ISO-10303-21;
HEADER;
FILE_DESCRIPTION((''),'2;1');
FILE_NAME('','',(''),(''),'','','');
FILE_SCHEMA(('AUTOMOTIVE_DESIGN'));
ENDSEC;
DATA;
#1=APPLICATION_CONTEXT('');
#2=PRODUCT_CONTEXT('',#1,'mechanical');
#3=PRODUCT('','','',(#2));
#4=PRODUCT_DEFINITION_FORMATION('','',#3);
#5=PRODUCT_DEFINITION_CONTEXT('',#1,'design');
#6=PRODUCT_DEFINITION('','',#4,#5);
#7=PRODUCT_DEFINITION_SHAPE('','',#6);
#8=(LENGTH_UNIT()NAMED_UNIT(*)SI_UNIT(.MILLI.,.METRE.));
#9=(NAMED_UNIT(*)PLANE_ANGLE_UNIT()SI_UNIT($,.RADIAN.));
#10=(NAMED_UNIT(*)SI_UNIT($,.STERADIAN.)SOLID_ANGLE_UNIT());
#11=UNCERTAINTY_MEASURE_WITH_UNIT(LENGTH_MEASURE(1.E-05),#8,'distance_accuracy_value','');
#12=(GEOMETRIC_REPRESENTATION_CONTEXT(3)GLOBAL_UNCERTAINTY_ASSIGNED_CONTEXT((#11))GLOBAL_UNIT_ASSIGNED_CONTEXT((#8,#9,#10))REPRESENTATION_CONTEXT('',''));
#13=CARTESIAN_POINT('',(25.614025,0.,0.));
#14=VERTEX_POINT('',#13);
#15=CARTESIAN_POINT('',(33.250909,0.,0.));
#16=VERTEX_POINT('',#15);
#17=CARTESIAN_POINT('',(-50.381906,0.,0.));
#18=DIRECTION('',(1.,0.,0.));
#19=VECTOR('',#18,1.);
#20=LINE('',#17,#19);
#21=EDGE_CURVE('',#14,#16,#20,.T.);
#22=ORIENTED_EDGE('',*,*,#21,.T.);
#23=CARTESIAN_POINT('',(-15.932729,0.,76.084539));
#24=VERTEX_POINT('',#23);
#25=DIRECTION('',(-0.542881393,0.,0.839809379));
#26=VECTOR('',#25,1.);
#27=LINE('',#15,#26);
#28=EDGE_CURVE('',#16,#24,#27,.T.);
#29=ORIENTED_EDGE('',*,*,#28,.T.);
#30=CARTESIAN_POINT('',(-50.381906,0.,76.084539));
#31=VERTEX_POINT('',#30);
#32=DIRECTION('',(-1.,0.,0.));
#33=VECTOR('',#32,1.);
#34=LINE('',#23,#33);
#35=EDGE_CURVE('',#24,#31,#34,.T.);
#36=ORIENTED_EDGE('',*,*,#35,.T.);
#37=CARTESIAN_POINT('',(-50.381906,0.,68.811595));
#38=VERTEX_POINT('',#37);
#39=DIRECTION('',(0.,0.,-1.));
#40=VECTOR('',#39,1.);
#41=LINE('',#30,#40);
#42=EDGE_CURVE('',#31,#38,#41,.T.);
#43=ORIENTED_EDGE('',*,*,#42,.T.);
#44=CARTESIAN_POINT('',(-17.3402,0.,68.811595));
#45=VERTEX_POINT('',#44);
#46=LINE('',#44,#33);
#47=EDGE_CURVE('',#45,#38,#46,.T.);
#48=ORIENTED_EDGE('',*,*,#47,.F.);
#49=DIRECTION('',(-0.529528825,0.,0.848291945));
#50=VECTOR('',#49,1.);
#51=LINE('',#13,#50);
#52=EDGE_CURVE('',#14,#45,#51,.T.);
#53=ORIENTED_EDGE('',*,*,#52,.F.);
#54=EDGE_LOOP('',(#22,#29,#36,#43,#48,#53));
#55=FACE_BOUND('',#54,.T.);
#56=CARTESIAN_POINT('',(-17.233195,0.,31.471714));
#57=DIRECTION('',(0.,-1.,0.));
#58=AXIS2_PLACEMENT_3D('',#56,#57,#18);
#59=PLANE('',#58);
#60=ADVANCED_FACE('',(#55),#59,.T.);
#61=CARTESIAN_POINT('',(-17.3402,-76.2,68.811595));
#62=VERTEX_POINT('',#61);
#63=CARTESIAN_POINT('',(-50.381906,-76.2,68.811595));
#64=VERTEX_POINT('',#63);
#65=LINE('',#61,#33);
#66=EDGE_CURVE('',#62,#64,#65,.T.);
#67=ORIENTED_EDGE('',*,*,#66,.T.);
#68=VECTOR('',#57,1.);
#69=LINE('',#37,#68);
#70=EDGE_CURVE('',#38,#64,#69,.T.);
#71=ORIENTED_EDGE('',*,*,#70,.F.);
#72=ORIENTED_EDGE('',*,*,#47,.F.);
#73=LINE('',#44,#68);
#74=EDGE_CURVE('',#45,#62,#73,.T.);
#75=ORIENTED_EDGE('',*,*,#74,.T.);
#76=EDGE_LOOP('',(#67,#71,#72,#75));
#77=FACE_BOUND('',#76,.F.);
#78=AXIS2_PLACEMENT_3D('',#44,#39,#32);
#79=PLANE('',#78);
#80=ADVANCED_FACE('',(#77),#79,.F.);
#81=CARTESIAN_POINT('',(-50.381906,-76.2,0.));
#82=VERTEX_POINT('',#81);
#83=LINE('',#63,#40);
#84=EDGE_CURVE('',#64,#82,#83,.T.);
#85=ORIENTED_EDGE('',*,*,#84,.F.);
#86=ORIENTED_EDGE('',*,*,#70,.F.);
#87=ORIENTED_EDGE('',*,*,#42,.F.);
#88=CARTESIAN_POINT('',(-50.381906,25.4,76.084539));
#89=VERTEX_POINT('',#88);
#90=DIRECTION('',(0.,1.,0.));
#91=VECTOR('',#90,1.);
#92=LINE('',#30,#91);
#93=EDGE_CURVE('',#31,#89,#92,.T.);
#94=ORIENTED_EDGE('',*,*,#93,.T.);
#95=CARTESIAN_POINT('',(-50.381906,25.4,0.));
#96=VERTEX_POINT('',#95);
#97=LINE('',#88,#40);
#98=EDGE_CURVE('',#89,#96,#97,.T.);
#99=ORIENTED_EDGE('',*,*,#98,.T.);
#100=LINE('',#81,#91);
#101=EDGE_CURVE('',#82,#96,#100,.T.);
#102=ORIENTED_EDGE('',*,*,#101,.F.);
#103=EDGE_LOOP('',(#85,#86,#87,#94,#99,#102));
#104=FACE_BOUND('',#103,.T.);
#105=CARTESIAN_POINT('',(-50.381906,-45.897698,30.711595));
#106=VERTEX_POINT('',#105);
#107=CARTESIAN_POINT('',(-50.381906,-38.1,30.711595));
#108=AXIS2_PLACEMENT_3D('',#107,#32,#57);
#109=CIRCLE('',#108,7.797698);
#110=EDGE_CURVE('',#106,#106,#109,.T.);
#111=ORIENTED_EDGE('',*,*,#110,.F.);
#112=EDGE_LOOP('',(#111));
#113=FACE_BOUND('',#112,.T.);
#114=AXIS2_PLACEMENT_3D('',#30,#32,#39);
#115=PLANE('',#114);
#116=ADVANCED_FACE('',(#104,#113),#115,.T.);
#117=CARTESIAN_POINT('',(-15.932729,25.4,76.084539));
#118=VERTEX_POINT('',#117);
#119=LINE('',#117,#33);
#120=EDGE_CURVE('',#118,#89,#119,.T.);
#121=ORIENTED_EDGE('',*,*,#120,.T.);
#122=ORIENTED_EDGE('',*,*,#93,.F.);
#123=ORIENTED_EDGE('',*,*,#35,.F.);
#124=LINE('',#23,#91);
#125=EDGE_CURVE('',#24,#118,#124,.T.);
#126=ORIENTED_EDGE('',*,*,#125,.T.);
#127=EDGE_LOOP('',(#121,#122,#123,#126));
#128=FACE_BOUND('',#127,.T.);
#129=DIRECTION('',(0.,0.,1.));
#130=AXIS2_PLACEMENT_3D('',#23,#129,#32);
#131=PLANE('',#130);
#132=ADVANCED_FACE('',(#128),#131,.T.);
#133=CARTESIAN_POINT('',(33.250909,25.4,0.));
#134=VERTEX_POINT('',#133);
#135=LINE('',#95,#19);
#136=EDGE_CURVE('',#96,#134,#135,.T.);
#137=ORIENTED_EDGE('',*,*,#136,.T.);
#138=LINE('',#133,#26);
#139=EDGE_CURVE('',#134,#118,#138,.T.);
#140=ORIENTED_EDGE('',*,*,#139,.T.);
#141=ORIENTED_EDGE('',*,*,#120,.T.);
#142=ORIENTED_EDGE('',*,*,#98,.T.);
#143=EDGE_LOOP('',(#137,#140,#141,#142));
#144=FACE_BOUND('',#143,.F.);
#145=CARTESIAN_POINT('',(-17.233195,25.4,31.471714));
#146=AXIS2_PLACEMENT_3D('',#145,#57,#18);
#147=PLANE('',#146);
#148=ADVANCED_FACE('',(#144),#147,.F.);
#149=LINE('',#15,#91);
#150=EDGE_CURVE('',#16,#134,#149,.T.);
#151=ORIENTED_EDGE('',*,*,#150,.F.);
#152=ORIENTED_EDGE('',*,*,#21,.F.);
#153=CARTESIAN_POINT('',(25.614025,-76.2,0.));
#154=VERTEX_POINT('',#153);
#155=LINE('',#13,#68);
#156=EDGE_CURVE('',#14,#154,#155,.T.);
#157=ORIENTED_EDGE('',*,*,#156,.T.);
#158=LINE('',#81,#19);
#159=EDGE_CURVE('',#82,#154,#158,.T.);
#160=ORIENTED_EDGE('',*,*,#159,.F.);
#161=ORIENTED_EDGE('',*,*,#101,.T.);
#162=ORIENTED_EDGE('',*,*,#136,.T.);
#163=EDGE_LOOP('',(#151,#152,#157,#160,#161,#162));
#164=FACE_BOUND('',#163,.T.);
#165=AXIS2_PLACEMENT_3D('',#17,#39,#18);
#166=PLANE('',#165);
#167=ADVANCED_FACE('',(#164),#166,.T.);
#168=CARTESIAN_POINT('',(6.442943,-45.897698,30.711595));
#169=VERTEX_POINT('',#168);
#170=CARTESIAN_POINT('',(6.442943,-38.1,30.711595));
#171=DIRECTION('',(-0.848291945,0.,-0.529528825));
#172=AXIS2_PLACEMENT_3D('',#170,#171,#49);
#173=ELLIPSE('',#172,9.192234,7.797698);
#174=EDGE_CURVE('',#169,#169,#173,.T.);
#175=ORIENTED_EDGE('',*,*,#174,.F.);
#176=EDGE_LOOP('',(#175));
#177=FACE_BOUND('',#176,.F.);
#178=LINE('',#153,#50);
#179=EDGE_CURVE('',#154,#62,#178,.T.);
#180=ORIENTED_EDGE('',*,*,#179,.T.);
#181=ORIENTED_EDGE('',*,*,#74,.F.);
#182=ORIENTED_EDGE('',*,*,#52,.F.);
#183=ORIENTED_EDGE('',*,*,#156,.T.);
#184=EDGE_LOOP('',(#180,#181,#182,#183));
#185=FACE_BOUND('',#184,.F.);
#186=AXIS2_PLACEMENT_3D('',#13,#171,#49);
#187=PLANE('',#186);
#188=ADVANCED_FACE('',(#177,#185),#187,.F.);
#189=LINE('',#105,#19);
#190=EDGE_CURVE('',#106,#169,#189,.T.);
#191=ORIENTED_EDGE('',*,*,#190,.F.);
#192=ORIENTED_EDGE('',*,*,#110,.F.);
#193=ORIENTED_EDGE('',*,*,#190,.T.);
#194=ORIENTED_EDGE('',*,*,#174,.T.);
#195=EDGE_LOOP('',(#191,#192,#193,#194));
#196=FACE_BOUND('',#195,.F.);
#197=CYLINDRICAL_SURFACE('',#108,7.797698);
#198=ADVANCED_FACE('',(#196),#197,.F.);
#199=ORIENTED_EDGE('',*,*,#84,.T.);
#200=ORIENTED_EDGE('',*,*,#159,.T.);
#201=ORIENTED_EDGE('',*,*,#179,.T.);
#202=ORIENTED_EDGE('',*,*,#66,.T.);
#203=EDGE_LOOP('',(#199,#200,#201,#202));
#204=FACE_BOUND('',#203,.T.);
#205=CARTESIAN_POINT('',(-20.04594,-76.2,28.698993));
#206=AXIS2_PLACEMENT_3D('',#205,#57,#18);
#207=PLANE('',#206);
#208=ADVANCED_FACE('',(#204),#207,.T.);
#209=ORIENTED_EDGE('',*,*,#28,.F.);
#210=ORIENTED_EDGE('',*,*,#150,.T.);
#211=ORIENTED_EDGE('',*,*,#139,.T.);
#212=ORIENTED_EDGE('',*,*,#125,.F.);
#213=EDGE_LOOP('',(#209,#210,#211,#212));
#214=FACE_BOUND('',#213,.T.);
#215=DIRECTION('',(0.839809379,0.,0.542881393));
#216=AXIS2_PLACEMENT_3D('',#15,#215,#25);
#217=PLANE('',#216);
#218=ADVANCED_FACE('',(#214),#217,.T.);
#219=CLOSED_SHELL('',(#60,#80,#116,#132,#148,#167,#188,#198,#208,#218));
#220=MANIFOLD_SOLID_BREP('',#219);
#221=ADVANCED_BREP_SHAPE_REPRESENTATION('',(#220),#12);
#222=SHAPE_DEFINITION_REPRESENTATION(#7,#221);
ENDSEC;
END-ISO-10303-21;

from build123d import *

# Parameters (mm, degrees)
F1_DEPTH = 76.2
F3_DEPTH = 25.4
F4_R     = 7.797698
F5_DEPTH = 127


with BuildPart() as f1:
    # F0 (on Front) → F1 (new body)
    with BuildSketch(Plane.XZ):
        Polygon((-50.381906, 0), (0, 0), (25.614025, 0), (-17.3402, 68.811595), (-50.381906, 68.811595), align=None)
    extrude(amount=F1_DEPTH)

    # F2 (on Front) → F3 (join)
    with BuildSketch(Plane.XZ):
        Polygon((-50.381906, 68.811595), (-50.381906, 0), (33.250909, 0), (-15.932729, 76.084539), (-50.381906, 76.084539), align=None)
    extrude(amount=-F3_DEPTH)

    # F4 (on face) → F5 (cut)
    with BuildSketch(Plane(origin=(-50.381906, 0, 0), x_dir=(0, -1, 0), z_dir=(-1, 0, 0))):
        with Locations((38.1, 30.711595)):
            Circle(F4_R)
    extrude(amount=-F5_DEPTH, mode=Mode.SUBTRACT)


solid = f1.part
